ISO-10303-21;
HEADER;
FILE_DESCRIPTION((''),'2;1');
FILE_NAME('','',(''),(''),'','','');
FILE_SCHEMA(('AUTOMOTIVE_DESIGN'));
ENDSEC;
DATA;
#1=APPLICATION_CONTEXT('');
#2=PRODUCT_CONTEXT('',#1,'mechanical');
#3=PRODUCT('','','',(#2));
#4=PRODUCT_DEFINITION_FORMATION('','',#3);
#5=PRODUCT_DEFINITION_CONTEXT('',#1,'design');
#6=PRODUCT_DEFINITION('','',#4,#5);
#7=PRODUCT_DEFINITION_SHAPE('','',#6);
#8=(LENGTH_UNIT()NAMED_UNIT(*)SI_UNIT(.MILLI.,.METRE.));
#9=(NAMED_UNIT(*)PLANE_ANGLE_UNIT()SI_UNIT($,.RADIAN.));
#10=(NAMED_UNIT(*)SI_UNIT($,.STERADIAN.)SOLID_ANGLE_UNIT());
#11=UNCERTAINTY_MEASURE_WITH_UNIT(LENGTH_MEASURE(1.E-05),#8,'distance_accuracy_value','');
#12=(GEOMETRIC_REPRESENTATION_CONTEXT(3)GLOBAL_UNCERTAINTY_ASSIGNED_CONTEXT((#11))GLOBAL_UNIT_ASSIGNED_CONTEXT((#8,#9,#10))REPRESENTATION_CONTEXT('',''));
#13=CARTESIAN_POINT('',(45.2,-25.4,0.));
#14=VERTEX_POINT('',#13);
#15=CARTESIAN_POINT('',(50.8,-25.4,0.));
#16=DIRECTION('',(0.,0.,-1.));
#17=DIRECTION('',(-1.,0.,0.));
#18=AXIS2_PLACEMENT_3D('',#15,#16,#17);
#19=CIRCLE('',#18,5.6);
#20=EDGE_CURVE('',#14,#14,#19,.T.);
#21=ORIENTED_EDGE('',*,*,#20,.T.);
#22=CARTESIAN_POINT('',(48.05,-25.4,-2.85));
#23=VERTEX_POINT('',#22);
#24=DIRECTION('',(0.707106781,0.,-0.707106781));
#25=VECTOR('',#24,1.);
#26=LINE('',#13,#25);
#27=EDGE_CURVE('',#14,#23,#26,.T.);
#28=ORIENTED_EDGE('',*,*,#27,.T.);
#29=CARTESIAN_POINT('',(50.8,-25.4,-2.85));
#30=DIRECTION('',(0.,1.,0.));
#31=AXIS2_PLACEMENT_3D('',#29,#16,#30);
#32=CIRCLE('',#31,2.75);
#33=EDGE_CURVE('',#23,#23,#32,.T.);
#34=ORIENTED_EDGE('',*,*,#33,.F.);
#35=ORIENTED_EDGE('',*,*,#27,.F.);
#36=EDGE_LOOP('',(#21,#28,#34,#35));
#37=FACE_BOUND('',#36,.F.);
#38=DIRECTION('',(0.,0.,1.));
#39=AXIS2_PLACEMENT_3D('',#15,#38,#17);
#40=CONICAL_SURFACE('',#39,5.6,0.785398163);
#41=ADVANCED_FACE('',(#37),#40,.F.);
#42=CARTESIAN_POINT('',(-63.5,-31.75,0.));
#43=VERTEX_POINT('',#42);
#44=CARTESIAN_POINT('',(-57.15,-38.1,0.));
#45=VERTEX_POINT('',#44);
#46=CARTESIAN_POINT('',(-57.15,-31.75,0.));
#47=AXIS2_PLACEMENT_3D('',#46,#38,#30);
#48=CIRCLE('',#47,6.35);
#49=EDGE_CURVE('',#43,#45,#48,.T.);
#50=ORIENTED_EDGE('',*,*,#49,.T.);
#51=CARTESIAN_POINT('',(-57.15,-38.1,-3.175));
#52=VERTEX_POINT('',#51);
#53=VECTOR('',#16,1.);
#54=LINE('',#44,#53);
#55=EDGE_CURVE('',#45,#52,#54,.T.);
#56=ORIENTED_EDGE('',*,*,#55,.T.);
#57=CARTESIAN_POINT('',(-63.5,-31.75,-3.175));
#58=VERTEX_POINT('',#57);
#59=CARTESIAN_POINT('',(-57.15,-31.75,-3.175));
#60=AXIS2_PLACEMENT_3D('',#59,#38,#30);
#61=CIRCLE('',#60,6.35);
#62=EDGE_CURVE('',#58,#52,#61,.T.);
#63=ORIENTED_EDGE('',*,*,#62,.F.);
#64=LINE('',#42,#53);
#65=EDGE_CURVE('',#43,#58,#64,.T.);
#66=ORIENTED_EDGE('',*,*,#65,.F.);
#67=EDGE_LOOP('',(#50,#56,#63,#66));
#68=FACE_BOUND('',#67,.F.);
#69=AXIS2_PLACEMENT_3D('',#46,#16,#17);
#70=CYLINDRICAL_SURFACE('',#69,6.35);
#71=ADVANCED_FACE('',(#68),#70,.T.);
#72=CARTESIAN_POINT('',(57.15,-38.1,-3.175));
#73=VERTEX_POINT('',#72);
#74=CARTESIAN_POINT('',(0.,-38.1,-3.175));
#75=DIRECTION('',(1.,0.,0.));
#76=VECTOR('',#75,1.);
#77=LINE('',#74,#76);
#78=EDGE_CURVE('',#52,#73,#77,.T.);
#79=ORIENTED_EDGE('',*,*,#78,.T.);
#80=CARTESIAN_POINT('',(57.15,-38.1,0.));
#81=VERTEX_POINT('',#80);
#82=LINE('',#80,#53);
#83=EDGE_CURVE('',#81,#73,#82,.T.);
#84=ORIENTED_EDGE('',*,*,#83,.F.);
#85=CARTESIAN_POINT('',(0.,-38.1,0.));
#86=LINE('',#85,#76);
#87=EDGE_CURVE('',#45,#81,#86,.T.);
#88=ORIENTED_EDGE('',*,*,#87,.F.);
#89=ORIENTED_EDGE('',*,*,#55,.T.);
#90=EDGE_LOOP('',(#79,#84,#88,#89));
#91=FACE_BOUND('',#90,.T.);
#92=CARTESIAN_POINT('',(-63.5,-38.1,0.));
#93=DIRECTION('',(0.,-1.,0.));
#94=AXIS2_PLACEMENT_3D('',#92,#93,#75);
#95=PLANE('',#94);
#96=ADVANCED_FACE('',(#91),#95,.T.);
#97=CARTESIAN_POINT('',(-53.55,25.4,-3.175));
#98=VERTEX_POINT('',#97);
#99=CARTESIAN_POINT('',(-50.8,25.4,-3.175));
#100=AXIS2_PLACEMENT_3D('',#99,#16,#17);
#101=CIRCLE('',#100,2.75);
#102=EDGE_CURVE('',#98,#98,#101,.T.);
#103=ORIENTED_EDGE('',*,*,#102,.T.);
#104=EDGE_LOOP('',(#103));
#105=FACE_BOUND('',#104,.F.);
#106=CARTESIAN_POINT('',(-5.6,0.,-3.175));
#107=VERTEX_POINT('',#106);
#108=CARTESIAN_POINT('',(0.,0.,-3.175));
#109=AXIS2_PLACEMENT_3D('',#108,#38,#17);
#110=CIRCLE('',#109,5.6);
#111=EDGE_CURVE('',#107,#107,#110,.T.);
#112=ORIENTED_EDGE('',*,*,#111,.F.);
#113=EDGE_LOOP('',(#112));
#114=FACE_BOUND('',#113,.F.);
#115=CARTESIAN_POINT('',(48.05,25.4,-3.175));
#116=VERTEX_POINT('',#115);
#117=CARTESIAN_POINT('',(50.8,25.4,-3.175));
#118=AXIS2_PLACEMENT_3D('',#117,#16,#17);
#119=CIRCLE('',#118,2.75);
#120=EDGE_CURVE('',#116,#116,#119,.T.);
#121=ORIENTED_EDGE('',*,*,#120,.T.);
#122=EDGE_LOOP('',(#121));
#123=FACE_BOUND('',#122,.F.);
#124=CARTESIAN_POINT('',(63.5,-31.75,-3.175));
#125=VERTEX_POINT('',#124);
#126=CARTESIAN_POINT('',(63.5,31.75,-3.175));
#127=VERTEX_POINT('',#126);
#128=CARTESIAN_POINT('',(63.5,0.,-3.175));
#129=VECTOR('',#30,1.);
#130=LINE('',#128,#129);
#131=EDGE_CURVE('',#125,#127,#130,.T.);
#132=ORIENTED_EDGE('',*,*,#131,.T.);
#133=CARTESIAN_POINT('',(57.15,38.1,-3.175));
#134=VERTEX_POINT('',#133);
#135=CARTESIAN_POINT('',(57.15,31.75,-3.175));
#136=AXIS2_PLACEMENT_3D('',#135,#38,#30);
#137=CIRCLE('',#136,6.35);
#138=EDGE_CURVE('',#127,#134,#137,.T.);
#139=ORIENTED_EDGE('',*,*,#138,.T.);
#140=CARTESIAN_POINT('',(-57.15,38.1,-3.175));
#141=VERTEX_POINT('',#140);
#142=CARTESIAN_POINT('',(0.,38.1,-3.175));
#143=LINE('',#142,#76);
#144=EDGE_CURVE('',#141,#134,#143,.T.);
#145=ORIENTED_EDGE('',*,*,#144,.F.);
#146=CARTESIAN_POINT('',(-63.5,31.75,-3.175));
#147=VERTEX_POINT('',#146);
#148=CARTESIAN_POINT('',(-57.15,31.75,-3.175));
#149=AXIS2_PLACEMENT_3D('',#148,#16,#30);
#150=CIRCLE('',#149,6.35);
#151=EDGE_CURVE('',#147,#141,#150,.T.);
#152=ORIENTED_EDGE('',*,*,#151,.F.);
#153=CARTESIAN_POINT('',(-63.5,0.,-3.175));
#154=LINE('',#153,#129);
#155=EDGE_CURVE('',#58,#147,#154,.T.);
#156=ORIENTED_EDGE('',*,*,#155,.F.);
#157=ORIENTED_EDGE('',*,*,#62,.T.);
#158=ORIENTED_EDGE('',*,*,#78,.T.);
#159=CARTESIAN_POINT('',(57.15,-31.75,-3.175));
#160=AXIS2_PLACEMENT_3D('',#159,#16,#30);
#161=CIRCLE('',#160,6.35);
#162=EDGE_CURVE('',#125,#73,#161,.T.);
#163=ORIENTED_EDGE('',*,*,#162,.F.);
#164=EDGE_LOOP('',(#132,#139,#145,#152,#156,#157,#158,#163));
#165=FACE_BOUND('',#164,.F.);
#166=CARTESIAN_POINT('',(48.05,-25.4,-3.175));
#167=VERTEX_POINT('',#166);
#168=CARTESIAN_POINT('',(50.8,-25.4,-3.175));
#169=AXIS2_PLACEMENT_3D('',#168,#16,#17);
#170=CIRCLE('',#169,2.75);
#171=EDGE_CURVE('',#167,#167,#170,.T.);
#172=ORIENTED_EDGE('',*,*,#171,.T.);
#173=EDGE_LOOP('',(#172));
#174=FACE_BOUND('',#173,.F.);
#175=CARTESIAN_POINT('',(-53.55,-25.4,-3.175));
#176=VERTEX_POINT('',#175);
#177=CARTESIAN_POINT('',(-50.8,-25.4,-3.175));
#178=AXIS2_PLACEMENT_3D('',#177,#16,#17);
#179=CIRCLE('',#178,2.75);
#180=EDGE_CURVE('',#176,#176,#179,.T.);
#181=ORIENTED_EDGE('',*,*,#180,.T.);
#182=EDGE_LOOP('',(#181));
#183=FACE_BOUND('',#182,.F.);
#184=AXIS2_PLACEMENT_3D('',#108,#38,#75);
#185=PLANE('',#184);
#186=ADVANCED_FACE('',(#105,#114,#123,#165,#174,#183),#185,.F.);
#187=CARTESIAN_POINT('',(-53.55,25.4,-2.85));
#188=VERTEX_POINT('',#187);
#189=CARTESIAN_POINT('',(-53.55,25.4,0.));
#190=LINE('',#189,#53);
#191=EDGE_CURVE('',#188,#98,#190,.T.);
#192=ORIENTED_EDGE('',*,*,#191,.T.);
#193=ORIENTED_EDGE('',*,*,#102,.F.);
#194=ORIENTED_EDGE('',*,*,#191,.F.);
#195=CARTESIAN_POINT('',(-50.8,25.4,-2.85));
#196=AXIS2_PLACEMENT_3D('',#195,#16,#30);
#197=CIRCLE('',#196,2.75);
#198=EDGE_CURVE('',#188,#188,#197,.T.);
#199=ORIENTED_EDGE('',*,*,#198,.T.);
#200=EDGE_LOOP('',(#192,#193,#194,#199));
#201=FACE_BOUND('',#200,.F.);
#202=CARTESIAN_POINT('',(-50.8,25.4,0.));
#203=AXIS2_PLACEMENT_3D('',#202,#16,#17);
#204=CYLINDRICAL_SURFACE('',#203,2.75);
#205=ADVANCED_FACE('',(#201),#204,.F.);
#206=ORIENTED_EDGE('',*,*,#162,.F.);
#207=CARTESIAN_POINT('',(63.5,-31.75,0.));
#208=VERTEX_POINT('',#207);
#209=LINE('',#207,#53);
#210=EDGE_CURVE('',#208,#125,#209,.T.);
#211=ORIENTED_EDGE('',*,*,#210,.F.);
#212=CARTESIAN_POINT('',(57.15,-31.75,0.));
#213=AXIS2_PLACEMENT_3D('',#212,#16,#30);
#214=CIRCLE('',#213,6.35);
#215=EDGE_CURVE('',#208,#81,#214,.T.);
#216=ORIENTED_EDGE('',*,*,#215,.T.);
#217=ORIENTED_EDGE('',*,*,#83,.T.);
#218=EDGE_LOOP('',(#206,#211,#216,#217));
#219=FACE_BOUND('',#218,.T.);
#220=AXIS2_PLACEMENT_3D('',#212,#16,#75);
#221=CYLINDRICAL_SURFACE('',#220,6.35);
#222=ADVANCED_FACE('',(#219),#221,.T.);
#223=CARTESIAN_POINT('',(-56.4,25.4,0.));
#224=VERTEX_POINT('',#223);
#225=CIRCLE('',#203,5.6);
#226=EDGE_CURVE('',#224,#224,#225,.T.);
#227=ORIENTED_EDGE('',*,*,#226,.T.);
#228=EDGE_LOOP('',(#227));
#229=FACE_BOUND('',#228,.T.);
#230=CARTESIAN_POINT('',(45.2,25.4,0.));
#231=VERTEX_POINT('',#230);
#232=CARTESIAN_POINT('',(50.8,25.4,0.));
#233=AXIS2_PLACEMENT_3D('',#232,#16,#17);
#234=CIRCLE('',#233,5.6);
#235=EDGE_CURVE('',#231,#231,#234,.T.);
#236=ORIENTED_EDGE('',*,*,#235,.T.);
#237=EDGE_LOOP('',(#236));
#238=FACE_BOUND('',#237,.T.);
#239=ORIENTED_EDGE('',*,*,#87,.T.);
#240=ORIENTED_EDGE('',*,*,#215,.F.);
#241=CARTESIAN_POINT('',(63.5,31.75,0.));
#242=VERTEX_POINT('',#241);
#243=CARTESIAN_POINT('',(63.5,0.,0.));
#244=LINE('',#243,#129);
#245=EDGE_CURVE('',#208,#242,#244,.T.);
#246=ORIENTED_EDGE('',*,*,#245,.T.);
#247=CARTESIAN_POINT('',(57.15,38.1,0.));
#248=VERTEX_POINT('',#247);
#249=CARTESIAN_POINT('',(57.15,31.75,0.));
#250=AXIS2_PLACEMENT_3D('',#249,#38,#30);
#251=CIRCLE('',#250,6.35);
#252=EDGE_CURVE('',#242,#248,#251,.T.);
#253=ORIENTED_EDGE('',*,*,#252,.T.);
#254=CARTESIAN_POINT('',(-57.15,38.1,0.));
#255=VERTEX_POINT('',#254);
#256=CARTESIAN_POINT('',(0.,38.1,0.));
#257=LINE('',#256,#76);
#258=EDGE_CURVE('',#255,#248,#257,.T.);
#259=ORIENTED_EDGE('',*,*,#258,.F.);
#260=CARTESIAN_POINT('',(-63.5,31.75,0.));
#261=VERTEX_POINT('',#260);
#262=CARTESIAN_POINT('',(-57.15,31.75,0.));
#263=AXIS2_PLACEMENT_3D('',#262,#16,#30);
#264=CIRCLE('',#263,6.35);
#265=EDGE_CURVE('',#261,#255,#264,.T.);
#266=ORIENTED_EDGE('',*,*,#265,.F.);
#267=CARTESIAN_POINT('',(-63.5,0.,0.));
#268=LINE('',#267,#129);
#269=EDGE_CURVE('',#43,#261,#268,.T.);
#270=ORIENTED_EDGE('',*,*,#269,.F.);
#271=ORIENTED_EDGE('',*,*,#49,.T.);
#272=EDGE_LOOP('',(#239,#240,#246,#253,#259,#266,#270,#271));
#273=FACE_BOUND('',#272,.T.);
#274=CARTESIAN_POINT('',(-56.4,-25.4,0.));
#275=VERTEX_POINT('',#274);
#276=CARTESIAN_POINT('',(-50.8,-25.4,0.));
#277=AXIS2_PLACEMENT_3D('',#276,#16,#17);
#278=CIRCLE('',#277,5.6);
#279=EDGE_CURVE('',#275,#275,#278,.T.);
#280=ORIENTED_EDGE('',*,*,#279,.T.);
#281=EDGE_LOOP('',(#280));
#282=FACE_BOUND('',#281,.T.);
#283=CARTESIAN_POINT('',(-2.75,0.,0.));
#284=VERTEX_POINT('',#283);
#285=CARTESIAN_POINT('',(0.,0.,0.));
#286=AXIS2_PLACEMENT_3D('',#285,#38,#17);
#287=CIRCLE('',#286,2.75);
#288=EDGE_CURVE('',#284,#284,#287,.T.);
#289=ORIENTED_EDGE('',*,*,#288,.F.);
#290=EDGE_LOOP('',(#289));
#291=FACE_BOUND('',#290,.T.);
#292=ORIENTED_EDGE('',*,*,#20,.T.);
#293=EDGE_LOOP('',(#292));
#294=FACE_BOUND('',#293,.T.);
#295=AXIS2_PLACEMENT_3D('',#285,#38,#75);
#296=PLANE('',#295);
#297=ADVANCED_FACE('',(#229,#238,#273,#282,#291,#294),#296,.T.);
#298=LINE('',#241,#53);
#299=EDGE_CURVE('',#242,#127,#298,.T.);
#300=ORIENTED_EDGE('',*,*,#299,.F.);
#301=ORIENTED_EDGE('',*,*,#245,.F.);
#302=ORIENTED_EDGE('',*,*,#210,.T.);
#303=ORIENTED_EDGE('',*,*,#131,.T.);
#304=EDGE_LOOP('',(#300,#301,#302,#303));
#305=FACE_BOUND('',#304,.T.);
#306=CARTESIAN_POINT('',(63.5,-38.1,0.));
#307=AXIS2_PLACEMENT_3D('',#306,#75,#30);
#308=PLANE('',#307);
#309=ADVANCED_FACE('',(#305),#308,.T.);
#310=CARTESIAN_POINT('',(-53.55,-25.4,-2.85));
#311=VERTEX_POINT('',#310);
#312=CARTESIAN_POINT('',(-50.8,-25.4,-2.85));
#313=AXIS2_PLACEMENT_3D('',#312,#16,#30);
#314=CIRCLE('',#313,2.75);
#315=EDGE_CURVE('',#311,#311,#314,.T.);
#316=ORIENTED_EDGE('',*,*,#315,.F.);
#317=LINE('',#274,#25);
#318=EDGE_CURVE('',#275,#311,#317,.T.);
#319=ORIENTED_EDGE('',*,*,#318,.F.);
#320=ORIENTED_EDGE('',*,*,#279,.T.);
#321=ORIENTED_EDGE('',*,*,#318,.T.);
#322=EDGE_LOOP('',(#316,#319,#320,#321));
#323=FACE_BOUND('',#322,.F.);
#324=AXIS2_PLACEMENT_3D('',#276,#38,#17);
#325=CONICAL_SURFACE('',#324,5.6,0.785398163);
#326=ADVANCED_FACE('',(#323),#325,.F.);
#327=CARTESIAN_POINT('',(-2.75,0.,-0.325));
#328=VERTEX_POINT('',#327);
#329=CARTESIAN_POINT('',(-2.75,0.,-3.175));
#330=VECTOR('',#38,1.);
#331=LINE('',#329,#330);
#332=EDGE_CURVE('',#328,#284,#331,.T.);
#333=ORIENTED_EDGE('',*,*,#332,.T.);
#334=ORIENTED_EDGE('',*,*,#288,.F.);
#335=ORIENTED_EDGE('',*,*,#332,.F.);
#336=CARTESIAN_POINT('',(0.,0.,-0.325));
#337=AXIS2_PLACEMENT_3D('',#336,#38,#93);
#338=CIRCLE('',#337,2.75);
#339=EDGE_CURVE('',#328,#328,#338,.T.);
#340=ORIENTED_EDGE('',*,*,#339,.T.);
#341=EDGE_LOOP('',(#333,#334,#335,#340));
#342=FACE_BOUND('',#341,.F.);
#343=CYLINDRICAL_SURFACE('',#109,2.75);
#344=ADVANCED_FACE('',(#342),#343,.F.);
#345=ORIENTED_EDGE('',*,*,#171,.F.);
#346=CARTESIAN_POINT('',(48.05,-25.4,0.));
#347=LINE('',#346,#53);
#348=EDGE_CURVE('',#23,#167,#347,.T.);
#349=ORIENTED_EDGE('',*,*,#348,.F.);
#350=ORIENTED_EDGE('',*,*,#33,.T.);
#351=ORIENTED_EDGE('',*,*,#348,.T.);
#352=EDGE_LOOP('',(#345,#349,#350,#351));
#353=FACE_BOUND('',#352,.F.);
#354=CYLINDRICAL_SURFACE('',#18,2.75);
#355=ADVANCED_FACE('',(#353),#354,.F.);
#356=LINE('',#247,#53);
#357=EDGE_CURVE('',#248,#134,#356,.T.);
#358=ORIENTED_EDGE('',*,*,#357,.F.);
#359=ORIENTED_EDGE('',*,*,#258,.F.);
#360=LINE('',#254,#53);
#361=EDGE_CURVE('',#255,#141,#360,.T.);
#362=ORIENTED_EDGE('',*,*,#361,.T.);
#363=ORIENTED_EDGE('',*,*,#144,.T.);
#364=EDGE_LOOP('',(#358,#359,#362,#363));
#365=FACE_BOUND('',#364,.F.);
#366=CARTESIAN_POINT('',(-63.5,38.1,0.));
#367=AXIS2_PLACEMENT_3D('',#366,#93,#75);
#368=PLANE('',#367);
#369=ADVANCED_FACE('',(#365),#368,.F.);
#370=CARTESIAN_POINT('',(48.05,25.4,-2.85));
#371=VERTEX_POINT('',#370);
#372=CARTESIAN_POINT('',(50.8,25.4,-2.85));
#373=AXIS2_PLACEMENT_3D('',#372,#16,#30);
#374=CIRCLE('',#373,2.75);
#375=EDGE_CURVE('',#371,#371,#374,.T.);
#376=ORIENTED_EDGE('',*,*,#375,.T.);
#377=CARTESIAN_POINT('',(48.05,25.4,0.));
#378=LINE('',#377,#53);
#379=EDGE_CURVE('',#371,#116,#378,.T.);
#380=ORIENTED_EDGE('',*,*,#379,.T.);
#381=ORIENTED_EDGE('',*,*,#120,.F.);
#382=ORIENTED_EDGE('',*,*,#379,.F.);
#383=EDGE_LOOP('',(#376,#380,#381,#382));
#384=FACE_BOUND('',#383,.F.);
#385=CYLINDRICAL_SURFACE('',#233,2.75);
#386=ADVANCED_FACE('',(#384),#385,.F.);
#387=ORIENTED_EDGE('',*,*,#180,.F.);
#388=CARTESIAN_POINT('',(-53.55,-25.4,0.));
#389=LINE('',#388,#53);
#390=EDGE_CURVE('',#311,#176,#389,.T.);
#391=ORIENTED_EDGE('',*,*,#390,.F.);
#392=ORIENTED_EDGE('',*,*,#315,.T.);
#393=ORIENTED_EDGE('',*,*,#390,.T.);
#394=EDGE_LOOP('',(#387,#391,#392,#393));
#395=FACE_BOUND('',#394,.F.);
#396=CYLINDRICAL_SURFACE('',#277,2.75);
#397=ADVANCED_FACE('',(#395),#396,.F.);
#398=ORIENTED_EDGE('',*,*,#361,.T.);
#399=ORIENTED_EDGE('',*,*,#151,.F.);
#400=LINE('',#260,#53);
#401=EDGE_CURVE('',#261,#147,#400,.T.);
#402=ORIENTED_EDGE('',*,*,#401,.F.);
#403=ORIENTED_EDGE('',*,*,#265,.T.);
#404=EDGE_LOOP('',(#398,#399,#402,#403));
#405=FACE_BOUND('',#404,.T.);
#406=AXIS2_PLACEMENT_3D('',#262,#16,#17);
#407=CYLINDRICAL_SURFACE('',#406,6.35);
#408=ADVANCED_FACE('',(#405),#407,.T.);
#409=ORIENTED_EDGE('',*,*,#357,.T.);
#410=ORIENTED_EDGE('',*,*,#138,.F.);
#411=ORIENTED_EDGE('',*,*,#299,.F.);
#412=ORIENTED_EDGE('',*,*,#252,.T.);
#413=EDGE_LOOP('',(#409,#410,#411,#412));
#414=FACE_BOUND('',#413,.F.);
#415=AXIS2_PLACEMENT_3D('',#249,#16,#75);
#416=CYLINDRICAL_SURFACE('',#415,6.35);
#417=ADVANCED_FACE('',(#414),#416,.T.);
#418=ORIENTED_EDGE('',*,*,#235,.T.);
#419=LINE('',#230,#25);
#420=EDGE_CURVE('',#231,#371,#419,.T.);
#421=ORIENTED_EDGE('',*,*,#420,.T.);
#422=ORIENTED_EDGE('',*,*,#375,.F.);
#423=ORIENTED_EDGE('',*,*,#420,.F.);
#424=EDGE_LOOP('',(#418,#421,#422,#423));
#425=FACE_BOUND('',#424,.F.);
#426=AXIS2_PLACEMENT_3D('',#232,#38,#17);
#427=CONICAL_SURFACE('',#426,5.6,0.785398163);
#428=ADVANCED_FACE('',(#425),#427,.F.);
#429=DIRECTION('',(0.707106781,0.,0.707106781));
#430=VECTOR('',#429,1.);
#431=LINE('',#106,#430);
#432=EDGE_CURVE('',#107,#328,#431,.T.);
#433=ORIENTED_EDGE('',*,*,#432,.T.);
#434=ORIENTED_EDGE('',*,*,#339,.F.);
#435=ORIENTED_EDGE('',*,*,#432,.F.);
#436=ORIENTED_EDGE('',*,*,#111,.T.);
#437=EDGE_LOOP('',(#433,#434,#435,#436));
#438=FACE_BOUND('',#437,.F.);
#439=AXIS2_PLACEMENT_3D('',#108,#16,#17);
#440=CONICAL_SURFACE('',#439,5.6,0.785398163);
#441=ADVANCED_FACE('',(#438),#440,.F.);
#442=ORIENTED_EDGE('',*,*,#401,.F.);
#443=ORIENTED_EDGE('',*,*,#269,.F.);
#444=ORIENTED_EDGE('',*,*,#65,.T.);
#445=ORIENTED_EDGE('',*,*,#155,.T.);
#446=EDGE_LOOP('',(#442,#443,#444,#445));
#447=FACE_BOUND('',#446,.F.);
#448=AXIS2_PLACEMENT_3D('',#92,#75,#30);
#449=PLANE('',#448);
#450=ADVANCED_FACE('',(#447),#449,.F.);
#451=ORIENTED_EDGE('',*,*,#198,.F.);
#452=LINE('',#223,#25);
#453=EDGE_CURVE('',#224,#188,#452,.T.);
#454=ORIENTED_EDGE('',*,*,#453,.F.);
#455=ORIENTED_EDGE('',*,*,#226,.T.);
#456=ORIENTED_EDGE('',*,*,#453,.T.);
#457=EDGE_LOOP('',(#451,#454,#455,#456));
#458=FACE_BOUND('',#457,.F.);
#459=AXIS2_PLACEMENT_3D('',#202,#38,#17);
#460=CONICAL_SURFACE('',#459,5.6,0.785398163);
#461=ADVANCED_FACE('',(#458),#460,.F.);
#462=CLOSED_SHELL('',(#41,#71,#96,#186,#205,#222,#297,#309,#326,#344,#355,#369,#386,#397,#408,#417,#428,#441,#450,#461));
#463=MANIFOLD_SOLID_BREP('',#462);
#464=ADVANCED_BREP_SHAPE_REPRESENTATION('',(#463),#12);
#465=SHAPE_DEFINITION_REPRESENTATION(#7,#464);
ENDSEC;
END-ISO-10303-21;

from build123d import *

# Parameters (mm, degrees)
F0_W           = 127
F0_H           = 76.2
F1_DEPTH       = 3.175
F3_D           = 5.5
F3_CSINK_D     = 11.2
F3_CSINK_ANGLE = 90
F5_D           = 5.5
F5_CSINK_D     = 11.2
F5_CSINK_ANGLE = 90
F6_R           = 6.35


with BuildPart() as f1:
    # F0 (on Top) → F1 (new body)
    with BuildSketch(Plane.XY):
        Rectangle(F0_W, F0_H)
    extrude(amount=-F1_DEPTH)

    # F3 (through all)
    with Locations(Plane.XY):
        with Locations((-50.8, -25.4), (-50.8, 25.4), (50.8, 25.4), (50.8, -25.4)):
            CounterSinkHole(F3_D / 2, F3_CSINK_D / 2, counter_sink_angle=F3_CSINK_ANGLE)

    # F5 (through all)
    with Locations(Plane(origin=(0, 0, -3.175), x_dir=(1, 0, 0), z_dir=(0, 0, -1))):
        with Locations((0, 0)):
            CounterSinkHole(F5_D / 2, F5_CSINK_D / 2, counter_sink_angle=F5_CSINK_ANGLE)

    # F6
    f6_edges = [f1.edges().sort_by_distance(p)[0] for p in [
        (63.5, -38.1, -1.5875),
        (63.5, 38.1, -1.5875),
        (-63.5, -38.1, -1.5875),
        (-63.5, 38.1, -1.5875),
    ]]
    fillet(f6_edges, radius=F6_R)


solid = f1.part
